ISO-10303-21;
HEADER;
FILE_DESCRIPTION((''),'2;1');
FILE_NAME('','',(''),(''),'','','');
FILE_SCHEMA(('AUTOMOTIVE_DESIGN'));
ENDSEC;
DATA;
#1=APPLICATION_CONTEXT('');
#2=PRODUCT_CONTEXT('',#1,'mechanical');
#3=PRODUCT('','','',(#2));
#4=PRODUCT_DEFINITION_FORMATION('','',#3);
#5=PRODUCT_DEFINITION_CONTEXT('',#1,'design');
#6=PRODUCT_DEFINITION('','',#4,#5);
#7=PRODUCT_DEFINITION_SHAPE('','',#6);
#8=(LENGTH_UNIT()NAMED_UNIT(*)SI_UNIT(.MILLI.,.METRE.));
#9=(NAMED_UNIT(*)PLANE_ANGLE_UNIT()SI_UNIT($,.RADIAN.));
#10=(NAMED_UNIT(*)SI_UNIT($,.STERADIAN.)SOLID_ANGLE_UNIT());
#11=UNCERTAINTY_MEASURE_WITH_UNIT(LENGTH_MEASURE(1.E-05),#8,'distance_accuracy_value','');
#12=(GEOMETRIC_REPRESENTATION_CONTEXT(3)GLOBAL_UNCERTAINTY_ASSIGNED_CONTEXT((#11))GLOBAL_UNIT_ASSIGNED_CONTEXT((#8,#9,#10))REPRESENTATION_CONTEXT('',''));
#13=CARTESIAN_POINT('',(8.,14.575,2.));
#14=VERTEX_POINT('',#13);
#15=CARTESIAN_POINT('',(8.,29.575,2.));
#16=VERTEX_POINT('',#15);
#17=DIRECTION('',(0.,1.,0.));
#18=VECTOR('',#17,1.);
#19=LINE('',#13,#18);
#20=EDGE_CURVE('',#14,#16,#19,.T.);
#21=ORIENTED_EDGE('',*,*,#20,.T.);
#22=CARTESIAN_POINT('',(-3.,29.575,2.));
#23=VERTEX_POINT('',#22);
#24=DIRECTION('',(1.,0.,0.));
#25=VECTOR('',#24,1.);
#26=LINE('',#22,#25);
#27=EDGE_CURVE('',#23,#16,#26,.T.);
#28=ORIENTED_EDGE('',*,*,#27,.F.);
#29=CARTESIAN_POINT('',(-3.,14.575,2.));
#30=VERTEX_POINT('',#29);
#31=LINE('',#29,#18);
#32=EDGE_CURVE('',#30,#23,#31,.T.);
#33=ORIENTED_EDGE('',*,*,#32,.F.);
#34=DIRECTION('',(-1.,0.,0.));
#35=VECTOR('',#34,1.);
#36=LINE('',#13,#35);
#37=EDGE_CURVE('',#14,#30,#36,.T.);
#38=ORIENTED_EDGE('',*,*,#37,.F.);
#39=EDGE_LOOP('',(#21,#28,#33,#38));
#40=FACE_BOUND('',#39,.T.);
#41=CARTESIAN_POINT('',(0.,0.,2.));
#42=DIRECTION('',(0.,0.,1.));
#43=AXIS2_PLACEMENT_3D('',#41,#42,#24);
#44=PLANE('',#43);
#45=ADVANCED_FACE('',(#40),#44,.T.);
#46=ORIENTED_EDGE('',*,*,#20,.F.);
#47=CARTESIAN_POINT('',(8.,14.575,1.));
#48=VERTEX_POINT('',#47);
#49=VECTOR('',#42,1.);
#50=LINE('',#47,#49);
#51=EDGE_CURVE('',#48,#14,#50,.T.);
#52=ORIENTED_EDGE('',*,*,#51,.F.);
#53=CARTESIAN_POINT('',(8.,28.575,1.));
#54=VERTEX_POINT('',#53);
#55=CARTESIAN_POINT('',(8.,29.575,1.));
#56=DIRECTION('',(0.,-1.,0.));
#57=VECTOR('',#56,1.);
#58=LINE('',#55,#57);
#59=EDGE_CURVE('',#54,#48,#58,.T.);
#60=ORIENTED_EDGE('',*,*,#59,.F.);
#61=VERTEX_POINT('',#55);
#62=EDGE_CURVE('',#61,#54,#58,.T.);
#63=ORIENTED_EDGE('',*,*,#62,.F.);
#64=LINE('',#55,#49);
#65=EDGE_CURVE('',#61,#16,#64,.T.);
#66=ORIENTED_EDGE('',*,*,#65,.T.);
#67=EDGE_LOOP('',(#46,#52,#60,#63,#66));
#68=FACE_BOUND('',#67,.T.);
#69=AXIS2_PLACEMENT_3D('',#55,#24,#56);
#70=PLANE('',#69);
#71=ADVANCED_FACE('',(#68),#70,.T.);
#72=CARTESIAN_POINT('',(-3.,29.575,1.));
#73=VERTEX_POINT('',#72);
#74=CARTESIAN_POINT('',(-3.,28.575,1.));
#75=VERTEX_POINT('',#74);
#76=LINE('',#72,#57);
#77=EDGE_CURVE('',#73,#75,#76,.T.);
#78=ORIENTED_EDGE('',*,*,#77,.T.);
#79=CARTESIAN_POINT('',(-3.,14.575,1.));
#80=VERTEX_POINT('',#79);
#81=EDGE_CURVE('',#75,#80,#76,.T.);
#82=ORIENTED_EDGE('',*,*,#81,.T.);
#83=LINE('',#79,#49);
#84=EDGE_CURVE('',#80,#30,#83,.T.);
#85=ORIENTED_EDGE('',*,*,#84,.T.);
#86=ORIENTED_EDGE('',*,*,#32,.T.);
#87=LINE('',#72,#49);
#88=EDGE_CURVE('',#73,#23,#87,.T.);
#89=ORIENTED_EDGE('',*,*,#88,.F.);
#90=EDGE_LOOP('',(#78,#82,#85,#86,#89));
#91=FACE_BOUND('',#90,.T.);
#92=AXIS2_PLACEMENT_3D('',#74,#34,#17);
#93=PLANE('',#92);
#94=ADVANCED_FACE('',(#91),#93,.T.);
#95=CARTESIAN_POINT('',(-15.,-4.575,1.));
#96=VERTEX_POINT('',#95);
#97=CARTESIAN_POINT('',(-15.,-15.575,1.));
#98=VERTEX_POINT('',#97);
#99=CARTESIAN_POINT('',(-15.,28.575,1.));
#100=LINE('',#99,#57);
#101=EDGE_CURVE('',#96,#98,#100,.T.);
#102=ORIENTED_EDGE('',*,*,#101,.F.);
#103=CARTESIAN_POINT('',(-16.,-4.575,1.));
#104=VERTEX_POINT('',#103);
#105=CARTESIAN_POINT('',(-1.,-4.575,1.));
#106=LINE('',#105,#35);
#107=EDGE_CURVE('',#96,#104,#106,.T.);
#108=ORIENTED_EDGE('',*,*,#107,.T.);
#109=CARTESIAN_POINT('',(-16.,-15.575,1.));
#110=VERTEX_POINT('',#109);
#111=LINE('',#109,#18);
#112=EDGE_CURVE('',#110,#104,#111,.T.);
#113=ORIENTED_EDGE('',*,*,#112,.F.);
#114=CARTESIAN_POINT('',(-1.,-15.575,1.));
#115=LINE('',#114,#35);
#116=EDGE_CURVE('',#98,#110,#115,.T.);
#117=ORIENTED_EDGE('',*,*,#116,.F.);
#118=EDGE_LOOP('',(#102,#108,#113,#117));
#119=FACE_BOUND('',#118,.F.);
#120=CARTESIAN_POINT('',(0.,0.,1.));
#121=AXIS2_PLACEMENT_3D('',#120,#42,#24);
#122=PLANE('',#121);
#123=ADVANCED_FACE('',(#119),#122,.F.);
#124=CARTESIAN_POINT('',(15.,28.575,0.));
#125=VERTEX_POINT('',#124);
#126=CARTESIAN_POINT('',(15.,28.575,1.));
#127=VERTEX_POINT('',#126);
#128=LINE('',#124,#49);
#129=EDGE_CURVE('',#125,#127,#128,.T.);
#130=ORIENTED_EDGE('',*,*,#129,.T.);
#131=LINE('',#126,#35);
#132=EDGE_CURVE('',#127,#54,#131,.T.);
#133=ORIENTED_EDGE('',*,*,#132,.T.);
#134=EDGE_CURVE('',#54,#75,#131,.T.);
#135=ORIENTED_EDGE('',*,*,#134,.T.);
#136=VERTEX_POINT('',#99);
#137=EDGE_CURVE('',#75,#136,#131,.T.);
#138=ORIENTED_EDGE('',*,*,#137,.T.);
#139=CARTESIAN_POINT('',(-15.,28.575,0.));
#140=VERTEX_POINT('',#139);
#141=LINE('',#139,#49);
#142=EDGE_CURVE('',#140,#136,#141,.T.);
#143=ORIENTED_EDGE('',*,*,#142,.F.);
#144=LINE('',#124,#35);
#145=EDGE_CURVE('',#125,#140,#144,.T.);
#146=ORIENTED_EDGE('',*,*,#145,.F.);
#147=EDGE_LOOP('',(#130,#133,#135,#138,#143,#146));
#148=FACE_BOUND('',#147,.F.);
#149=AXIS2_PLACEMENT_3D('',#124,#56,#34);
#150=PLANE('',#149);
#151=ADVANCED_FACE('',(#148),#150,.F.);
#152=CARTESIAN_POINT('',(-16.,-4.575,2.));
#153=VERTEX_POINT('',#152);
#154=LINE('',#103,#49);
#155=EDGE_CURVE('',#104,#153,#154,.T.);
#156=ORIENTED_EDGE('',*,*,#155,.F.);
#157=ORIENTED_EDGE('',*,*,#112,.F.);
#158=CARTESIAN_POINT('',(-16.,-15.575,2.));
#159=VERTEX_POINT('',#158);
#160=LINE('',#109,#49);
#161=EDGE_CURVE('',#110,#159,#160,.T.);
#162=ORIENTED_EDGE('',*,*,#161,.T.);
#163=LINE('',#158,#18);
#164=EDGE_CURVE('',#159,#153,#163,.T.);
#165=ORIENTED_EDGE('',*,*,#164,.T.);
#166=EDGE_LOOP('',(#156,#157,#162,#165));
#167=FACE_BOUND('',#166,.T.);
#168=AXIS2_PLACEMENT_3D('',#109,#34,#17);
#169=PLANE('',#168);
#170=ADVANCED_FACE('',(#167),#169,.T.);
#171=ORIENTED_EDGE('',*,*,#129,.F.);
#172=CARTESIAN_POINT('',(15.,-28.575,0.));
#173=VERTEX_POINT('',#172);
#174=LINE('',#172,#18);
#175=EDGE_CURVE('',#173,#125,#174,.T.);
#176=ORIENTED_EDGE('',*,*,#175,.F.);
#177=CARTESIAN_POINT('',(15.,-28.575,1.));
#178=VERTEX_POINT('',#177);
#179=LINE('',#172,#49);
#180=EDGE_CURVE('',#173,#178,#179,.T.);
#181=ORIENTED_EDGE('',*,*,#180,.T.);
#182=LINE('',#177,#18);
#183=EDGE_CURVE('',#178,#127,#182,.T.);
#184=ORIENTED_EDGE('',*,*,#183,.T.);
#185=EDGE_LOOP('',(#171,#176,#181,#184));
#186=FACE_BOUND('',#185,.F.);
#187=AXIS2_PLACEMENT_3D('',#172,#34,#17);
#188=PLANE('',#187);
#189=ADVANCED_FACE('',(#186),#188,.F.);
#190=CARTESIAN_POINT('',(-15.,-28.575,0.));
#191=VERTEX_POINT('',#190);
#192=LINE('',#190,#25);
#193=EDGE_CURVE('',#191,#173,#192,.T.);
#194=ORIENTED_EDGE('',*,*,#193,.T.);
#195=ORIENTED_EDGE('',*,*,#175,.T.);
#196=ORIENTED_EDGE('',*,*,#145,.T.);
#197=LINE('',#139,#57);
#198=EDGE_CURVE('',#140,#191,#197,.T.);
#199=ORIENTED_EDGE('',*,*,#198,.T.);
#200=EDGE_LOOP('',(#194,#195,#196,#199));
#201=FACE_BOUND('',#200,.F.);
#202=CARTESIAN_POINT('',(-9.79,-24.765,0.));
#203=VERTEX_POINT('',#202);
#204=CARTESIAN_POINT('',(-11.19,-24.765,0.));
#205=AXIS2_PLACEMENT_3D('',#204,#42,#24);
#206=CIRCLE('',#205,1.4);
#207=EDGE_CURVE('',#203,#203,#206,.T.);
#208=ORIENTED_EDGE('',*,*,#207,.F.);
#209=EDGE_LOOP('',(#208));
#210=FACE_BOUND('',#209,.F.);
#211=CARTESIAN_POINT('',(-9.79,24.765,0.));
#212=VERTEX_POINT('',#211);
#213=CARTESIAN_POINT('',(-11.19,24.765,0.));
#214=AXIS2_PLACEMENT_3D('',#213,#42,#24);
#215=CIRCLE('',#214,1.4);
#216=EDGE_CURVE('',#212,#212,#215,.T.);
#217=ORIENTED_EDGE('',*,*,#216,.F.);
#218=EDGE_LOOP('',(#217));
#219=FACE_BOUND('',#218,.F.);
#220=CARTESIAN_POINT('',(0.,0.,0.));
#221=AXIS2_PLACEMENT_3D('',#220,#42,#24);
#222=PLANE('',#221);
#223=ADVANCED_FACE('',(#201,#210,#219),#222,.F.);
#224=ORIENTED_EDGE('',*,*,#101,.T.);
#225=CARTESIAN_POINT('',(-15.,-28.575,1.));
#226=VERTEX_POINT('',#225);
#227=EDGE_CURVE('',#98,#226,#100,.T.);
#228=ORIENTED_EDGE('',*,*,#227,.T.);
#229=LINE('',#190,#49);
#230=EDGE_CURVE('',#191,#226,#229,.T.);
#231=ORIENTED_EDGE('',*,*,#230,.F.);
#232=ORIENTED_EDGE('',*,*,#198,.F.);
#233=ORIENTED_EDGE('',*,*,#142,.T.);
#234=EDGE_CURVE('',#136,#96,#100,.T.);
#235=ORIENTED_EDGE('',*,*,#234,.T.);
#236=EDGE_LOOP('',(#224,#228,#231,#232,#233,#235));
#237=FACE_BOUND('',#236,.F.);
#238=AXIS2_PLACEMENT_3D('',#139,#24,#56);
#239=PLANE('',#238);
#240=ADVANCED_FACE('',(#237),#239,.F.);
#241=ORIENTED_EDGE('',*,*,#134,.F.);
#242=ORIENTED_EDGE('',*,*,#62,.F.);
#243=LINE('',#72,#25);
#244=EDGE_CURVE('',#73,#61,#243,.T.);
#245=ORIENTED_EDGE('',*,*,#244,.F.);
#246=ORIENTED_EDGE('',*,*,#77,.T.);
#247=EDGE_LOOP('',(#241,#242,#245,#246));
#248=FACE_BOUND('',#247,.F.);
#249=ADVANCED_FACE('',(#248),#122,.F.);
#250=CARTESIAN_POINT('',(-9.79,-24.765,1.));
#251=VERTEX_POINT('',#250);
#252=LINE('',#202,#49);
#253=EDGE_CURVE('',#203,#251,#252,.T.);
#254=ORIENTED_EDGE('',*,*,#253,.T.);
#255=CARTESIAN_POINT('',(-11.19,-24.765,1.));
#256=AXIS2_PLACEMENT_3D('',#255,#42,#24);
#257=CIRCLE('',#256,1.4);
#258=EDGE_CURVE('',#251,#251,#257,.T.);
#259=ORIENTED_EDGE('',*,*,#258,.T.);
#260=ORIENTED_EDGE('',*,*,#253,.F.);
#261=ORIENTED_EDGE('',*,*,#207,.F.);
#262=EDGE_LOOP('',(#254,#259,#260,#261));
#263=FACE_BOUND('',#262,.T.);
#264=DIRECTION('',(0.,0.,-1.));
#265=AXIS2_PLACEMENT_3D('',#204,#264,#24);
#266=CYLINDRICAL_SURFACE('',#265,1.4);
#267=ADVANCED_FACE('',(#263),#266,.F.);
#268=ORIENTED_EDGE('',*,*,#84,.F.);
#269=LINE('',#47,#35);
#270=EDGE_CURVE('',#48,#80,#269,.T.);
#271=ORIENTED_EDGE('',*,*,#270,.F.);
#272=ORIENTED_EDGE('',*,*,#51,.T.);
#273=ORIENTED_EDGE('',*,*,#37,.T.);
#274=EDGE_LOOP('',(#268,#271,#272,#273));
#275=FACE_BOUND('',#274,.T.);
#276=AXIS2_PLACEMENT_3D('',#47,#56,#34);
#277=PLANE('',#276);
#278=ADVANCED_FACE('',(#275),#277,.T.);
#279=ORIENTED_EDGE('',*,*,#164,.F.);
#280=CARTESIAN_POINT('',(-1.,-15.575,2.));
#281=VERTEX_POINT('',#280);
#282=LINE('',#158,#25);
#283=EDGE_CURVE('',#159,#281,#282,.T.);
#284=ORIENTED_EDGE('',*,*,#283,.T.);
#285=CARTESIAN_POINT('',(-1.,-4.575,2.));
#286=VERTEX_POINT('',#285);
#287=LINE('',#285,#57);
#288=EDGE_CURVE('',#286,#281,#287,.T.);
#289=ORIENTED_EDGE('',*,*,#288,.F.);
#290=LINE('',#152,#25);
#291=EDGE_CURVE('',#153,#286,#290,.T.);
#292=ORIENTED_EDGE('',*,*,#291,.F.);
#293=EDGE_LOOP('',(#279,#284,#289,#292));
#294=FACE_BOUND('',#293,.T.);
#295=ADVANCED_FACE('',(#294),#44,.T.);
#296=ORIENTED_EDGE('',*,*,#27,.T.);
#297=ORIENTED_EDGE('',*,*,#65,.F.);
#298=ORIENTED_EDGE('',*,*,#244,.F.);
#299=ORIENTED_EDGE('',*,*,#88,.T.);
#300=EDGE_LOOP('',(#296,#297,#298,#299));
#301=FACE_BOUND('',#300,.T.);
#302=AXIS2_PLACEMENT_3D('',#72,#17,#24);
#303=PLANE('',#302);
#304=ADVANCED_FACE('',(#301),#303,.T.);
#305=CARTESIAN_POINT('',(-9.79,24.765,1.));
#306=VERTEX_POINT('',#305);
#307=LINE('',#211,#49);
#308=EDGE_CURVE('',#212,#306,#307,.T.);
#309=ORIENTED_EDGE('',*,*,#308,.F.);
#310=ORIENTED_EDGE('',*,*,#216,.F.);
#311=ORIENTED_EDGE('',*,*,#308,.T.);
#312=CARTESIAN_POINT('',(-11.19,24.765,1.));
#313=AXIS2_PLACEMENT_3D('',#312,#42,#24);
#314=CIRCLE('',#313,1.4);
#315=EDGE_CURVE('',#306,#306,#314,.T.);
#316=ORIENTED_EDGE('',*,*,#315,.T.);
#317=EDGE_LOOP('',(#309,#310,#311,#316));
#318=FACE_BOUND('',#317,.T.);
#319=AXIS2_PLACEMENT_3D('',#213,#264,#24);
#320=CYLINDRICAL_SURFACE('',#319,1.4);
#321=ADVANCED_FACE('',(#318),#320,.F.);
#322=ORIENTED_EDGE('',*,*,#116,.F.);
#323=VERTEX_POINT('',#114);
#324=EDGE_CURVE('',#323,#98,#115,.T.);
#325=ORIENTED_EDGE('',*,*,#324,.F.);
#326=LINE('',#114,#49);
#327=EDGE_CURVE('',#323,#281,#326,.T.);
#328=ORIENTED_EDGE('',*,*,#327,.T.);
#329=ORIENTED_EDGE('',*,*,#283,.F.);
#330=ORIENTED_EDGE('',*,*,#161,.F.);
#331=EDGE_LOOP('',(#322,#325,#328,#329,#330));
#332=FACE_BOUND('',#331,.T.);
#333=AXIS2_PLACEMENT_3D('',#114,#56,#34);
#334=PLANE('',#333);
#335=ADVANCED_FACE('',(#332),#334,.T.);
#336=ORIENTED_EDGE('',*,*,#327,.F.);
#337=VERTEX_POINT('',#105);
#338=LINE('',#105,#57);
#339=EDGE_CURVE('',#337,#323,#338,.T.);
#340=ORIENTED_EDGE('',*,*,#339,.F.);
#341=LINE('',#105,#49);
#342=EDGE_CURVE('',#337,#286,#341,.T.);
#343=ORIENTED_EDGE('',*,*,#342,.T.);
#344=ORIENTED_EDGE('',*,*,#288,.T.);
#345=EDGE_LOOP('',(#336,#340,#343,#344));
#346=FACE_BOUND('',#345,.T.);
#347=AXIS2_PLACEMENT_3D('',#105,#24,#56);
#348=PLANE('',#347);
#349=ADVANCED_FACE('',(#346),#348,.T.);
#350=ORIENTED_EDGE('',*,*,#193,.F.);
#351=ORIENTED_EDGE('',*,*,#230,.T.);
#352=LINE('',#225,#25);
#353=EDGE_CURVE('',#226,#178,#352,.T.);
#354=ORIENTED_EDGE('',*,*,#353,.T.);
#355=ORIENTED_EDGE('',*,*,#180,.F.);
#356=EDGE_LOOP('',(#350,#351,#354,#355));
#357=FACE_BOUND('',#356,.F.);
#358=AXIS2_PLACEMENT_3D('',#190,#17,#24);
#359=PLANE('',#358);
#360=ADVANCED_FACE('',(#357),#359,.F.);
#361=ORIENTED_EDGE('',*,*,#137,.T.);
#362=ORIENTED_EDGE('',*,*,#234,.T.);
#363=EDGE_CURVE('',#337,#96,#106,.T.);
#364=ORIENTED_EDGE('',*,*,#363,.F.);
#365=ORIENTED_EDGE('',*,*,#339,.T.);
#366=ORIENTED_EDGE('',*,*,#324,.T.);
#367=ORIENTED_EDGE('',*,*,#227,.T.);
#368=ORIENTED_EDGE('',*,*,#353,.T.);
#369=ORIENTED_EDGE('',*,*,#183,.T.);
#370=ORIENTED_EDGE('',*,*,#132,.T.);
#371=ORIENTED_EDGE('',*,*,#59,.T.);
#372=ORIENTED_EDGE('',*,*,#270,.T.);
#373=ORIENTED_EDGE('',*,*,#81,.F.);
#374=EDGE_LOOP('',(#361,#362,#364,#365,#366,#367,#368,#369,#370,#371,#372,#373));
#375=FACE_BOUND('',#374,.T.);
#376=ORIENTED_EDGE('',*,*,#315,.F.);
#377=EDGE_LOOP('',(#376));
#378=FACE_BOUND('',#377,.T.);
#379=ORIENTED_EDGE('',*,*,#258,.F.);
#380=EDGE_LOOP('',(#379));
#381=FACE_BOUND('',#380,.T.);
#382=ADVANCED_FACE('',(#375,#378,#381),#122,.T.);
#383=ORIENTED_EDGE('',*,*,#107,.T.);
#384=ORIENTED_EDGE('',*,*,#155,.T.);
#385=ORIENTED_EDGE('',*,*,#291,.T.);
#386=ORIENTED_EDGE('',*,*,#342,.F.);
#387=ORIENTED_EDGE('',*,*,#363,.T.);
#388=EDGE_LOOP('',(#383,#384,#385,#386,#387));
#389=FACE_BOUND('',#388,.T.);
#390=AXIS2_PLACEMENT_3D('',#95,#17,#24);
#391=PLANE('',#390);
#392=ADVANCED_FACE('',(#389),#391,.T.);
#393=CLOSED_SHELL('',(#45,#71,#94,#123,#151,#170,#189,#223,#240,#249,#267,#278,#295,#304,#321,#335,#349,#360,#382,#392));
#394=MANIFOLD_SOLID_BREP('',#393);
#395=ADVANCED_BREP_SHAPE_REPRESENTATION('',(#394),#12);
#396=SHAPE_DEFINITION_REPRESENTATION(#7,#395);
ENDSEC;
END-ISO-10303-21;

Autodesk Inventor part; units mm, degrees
ref_plane "YZ Plane" through (0, 0, 0) normal (1, 0, 0) x (0, 1, 0)
ref_plane "XZ Plane" through (0, 0, 0) normal (0, 1, 0) x (-1, 0, 0)
ref_plane "XY Plane" through (0, 0, 0) normal (0, 0, 1) x (1, 0, 0)
sketch "Sketch1" plane through (0, 0, 0) normal (0, 0, 1) x (1, 0, 0)
  line L0 (-15, -28.575) -> (15, -28.575)
  line L1 (15, -28.575) -> (15, 28.575)
  line L2 (15, 28.575) -> (-15, 28.575)
  line L3 (-15, 28.575) -> (-15, -28.575)
  line L4 (-15, -28.575) -> (15, 28.575) construction
  line L5 (15, -28.575) -> (-15, 28.575) construction
  circle A0 centre (-11.19, 24.765) radius 1.4
  line L6 (-15, 0) -> (15, 0) construction
  line L7 (0, 28.575) -> (0, -28.575) construction
  circle A1 centre (-11.19, -24.765) radius 1.4
  point P0 (0, 0)
  dimension "d2" = 30
  dimension "d4" = 57.15
  dimension "d6" = 2.8
  dimension "d21" = 3.81
  dimension "d22" = 3.81
  dimension "d23" = 3.81
  dimension "d24" = 3.81
extrude "Extrusion1" add sketch "Sketch1" along normal blind 1
sketch "Sketch4" plane through (0, 0, 1) normal (0, 0, 1) x (1, 0, 0)
  line L0 (-15, 28.575) -> (-15, -28.575) projected
  line L1 (-16, -4.575) -> (-1, -4.575)
  line L2 (-1, -4.575) -> (-1, -15.575)
  line L3 (-1, -15.575) -> (-16, -15.575)
  line L4 (-16, -15.575) -> (-16, -4.575)
  line L5 (-15, -28.575) -> (15, -28.575) projected
  line L6 (15, 28.575) -> (-15, 28.575) projected
  line L7 (-3, 29.575) -> (8, 29.575)
  line L8 (8, 29.575) -> (8, 14.575)
  line L9 (8, 14.575) -> (-3, 14.575)
  line L10 (-3, 14.575) -> (-3, 29.575)
  point P0 (0, 0)
  dimension "d25" = 15
  dimension "d26" = 11
  dimension "d27" = 1
  dimension "d30" = 13
  dimension "d31" = 11
  dimension "d32" = 15
  dimension "d33" = 1
  dimension "d35" = 12
extrude "Extrusion4" add sketch "Sketch4" along normal blind 1
properties part number "AddonPCB01" material "PCB(1)"
